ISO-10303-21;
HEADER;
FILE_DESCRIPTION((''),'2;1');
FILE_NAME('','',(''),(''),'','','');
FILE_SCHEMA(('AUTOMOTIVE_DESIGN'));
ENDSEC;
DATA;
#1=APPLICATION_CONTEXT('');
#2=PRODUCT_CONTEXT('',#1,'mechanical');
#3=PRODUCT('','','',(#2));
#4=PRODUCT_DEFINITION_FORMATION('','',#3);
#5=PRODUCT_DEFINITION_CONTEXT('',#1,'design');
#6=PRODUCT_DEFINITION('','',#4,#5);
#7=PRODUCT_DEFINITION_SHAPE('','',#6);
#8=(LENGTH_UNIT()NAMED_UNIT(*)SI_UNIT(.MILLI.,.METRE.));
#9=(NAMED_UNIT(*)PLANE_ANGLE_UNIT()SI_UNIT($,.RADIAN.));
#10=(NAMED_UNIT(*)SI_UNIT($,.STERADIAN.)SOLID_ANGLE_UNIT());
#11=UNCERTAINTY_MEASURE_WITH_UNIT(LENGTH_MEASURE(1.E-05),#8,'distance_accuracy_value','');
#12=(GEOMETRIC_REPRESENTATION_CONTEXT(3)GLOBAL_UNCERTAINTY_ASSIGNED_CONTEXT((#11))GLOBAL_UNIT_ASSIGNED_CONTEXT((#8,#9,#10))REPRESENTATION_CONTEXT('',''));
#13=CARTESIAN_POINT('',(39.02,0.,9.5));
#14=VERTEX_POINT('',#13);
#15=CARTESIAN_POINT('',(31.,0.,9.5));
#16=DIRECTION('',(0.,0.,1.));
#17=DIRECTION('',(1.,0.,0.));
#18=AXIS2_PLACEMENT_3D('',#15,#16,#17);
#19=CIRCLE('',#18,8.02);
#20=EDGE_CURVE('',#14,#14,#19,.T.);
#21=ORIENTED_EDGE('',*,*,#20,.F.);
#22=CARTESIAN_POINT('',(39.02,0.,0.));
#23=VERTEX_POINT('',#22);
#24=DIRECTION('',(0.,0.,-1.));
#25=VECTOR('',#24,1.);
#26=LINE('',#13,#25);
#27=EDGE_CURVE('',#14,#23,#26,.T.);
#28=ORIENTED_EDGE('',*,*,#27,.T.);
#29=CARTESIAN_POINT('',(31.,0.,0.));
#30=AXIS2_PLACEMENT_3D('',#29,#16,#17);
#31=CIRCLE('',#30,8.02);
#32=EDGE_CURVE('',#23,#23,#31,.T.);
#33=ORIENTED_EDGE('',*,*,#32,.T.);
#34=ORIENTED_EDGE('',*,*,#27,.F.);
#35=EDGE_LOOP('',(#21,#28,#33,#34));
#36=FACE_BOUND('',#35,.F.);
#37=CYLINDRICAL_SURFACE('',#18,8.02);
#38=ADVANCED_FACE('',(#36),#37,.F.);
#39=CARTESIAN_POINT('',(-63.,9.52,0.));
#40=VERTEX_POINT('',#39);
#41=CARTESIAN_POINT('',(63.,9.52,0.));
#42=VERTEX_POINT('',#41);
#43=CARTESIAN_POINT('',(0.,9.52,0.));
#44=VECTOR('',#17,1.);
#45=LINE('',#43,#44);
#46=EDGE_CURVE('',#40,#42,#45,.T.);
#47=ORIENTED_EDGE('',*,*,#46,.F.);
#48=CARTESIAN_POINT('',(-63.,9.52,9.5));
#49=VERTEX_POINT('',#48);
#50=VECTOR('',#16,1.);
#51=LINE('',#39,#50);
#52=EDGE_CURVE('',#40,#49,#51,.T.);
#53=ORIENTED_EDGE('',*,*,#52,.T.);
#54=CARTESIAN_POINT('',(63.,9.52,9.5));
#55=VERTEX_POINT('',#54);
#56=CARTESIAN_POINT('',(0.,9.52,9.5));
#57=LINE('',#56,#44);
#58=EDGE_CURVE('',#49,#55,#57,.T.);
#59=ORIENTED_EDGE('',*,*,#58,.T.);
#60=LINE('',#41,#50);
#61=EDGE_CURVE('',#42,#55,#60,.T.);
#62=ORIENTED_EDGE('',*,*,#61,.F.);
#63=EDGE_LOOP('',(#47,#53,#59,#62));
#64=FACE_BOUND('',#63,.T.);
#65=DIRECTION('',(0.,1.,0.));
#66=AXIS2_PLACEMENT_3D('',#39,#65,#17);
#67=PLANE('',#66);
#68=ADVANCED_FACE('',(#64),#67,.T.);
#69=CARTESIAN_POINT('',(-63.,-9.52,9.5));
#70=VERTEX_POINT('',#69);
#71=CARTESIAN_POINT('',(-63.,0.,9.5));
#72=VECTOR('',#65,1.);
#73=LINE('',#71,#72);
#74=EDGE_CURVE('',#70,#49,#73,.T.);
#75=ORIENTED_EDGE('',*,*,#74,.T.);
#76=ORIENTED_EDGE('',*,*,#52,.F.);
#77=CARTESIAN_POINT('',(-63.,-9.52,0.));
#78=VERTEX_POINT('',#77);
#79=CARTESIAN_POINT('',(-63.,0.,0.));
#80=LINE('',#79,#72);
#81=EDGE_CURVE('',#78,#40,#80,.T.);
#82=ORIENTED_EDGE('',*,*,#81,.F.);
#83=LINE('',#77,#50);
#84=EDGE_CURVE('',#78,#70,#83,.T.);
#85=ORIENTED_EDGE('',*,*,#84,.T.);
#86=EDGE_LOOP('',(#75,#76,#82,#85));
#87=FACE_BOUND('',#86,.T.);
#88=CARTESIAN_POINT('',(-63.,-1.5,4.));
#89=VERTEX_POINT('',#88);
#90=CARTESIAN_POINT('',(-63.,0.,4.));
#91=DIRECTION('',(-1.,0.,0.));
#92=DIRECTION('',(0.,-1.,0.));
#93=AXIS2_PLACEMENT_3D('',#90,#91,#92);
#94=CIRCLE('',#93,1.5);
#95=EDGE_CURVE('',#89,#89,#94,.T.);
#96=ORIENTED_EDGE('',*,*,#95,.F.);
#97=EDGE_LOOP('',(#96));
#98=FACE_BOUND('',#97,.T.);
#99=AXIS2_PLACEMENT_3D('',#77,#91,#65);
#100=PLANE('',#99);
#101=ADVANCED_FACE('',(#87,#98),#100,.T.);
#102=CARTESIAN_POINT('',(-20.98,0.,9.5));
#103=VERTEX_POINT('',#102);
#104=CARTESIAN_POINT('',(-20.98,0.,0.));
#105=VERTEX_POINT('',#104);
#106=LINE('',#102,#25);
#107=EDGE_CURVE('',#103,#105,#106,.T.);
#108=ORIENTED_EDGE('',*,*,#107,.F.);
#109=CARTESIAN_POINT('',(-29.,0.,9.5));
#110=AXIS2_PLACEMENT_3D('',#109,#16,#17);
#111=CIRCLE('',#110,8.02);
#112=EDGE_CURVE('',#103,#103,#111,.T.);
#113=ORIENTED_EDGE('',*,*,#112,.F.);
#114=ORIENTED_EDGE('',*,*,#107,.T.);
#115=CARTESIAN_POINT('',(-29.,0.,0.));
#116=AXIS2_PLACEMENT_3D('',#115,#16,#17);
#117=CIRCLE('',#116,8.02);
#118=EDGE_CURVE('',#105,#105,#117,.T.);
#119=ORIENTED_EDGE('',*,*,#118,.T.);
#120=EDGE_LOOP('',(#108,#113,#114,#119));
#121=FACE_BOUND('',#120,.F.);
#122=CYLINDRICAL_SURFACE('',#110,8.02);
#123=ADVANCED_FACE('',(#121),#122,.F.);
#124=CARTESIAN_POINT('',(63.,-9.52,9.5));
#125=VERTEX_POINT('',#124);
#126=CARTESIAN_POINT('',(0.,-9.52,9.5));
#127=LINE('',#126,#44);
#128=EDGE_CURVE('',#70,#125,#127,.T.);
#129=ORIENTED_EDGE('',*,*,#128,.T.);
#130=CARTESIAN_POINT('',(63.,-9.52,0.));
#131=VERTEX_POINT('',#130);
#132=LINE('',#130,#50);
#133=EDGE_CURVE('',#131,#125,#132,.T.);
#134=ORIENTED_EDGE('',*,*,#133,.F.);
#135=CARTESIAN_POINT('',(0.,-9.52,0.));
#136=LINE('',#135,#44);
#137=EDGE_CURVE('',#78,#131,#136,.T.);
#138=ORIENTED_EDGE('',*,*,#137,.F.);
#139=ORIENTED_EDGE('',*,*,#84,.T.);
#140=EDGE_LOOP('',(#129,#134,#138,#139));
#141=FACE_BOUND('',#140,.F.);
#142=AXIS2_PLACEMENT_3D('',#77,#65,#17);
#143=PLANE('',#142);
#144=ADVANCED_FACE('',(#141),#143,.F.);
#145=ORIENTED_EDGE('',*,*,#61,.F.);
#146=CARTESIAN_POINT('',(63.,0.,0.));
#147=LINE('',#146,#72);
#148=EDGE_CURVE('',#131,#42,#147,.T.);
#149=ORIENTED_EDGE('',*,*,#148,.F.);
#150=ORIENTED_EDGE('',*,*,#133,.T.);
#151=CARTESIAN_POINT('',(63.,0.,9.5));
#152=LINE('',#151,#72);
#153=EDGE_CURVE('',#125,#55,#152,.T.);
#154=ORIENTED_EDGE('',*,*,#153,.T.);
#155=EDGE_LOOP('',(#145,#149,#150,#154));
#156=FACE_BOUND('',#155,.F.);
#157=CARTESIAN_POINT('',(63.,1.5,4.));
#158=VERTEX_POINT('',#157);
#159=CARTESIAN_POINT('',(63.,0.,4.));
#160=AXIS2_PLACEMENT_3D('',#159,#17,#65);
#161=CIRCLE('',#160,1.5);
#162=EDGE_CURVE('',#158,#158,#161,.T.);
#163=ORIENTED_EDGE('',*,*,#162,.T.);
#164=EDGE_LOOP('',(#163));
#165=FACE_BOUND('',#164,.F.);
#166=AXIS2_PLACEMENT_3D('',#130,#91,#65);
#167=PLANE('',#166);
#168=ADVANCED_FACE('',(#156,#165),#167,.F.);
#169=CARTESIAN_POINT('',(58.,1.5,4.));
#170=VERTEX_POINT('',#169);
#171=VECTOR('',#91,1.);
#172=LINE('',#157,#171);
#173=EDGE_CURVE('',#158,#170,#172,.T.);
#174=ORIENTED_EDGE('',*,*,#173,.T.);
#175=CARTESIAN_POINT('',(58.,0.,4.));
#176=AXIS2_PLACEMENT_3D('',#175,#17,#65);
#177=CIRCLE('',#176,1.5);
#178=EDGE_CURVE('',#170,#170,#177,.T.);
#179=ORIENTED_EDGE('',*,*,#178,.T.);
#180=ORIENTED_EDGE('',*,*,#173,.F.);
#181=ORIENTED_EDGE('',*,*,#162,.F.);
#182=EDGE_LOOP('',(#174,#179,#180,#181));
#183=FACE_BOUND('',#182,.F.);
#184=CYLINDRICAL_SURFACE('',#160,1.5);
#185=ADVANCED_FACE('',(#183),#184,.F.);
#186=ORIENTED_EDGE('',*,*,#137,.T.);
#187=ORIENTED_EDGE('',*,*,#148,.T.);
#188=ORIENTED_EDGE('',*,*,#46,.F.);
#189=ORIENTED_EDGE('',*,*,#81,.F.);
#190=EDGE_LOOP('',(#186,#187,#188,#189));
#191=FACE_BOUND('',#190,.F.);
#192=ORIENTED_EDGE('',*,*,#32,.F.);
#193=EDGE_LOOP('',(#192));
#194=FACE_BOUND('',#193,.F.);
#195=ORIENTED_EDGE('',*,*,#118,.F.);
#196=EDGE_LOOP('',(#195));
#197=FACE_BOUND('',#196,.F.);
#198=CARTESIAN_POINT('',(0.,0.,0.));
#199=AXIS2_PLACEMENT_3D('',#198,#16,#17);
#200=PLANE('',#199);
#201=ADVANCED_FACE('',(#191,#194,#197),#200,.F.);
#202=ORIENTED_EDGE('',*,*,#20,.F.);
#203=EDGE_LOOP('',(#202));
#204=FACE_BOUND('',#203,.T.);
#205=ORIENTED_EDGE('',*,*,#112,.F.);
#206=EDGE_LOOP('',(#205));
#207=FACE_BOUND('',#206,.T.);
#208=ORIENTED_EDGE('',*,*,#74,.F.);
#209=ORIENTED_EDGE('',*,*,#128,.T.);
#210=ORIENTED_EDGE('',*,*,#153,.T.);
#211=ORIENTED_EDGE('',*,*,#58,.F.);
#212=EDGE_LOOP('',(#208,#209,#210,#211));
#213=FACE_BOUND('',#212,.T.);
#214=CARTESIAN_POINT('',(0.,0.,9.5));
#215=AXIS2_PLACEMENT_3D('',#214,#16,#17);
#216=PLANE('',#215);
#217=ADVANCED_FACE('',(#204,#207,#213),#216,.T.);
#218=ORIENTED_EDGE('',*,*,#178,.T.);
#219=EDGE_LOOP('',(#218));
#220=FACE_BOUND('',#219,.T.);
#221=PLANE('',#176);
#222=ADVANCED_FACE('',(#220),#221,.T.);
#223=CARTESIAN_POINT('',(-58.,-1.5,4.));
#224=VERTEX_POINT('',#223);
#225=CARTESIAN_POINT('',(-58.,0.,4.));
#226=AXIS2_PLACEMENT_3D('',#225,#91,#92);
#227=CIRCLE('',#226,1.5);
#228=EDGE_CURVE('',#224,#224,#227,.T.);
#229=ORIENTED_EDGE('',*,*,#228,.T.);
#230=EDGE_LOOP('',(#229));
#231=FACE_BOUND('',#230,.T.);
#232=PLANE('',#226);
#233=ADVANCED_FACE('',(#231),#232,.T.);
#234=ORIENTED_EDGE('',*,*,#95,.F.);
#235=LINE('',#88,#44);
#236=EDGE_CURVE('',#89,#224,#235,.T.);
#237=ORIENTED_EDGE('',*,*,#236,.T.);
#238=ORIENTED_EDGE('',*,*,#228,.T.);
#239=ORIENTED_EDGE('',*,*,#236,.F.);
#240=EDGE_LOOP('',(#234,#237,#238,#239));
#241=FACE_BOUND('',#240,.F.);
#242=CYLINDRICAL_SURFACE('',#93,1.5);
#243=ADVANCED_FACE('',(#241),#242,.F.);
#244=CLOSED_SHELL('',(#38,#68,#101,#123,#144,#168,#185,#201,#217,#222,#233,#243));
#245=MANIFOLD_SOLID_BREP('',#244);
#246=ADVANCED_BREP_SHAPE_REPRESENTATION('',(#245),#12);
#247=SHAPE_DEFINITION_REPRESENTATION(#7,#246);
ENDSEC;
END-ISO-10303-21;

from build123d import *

# Parameters (mm, degrees)
F0_W     = 126
F0_H     = 19.04
F1_DEPTH = 9.5
F2_R     = 1.5
F3_DEPTH = 5
F4_R     = 1.5
F5_DEPTH = 5
F6_R     = 8.02
F7_DEPTH = 9.5


with BuildPart() as f1:
    # F0 (on Top) → F1 (new body)
    with BuildSketch(Plane.XY):
        Rectangle(F0_W, F0_H)
    extrude(amount=F1_DEPTH)

    # F2 (on face) → F3 (cut)
    with BuildSketch(Plane(origin=(-63, 0, 0), x_dir=(0, -1, 0), z_dir=(-1, 0, 0))):
        with Locations((0, 4)):
            Circle(F2_R)
    extrude(amount=-F3_DEPTH, mode=Mode.SUBTRACT)

    # F4 (on face) → F5 (cut)
    with BuildSketch(Plane.YZ.offset(63)):
        with Locations((0, 4)):
            Circle(F4_R)
    extrude(amount=-F5_DEPTH, mode=Mode.SUBTRACT)

    # F6 (on face) → F7 (cut)
    with BuildSketch(Plane.XY.offset(9.5)):
        with Locations((-29, 0)):
            Circle(F6_R)
        with Locations((31, 0)):
            Circle(F6_R)
    extrude(amount=-F7_DEPTH, mode=Mode.SUBTRACT)


solid = f1.part
